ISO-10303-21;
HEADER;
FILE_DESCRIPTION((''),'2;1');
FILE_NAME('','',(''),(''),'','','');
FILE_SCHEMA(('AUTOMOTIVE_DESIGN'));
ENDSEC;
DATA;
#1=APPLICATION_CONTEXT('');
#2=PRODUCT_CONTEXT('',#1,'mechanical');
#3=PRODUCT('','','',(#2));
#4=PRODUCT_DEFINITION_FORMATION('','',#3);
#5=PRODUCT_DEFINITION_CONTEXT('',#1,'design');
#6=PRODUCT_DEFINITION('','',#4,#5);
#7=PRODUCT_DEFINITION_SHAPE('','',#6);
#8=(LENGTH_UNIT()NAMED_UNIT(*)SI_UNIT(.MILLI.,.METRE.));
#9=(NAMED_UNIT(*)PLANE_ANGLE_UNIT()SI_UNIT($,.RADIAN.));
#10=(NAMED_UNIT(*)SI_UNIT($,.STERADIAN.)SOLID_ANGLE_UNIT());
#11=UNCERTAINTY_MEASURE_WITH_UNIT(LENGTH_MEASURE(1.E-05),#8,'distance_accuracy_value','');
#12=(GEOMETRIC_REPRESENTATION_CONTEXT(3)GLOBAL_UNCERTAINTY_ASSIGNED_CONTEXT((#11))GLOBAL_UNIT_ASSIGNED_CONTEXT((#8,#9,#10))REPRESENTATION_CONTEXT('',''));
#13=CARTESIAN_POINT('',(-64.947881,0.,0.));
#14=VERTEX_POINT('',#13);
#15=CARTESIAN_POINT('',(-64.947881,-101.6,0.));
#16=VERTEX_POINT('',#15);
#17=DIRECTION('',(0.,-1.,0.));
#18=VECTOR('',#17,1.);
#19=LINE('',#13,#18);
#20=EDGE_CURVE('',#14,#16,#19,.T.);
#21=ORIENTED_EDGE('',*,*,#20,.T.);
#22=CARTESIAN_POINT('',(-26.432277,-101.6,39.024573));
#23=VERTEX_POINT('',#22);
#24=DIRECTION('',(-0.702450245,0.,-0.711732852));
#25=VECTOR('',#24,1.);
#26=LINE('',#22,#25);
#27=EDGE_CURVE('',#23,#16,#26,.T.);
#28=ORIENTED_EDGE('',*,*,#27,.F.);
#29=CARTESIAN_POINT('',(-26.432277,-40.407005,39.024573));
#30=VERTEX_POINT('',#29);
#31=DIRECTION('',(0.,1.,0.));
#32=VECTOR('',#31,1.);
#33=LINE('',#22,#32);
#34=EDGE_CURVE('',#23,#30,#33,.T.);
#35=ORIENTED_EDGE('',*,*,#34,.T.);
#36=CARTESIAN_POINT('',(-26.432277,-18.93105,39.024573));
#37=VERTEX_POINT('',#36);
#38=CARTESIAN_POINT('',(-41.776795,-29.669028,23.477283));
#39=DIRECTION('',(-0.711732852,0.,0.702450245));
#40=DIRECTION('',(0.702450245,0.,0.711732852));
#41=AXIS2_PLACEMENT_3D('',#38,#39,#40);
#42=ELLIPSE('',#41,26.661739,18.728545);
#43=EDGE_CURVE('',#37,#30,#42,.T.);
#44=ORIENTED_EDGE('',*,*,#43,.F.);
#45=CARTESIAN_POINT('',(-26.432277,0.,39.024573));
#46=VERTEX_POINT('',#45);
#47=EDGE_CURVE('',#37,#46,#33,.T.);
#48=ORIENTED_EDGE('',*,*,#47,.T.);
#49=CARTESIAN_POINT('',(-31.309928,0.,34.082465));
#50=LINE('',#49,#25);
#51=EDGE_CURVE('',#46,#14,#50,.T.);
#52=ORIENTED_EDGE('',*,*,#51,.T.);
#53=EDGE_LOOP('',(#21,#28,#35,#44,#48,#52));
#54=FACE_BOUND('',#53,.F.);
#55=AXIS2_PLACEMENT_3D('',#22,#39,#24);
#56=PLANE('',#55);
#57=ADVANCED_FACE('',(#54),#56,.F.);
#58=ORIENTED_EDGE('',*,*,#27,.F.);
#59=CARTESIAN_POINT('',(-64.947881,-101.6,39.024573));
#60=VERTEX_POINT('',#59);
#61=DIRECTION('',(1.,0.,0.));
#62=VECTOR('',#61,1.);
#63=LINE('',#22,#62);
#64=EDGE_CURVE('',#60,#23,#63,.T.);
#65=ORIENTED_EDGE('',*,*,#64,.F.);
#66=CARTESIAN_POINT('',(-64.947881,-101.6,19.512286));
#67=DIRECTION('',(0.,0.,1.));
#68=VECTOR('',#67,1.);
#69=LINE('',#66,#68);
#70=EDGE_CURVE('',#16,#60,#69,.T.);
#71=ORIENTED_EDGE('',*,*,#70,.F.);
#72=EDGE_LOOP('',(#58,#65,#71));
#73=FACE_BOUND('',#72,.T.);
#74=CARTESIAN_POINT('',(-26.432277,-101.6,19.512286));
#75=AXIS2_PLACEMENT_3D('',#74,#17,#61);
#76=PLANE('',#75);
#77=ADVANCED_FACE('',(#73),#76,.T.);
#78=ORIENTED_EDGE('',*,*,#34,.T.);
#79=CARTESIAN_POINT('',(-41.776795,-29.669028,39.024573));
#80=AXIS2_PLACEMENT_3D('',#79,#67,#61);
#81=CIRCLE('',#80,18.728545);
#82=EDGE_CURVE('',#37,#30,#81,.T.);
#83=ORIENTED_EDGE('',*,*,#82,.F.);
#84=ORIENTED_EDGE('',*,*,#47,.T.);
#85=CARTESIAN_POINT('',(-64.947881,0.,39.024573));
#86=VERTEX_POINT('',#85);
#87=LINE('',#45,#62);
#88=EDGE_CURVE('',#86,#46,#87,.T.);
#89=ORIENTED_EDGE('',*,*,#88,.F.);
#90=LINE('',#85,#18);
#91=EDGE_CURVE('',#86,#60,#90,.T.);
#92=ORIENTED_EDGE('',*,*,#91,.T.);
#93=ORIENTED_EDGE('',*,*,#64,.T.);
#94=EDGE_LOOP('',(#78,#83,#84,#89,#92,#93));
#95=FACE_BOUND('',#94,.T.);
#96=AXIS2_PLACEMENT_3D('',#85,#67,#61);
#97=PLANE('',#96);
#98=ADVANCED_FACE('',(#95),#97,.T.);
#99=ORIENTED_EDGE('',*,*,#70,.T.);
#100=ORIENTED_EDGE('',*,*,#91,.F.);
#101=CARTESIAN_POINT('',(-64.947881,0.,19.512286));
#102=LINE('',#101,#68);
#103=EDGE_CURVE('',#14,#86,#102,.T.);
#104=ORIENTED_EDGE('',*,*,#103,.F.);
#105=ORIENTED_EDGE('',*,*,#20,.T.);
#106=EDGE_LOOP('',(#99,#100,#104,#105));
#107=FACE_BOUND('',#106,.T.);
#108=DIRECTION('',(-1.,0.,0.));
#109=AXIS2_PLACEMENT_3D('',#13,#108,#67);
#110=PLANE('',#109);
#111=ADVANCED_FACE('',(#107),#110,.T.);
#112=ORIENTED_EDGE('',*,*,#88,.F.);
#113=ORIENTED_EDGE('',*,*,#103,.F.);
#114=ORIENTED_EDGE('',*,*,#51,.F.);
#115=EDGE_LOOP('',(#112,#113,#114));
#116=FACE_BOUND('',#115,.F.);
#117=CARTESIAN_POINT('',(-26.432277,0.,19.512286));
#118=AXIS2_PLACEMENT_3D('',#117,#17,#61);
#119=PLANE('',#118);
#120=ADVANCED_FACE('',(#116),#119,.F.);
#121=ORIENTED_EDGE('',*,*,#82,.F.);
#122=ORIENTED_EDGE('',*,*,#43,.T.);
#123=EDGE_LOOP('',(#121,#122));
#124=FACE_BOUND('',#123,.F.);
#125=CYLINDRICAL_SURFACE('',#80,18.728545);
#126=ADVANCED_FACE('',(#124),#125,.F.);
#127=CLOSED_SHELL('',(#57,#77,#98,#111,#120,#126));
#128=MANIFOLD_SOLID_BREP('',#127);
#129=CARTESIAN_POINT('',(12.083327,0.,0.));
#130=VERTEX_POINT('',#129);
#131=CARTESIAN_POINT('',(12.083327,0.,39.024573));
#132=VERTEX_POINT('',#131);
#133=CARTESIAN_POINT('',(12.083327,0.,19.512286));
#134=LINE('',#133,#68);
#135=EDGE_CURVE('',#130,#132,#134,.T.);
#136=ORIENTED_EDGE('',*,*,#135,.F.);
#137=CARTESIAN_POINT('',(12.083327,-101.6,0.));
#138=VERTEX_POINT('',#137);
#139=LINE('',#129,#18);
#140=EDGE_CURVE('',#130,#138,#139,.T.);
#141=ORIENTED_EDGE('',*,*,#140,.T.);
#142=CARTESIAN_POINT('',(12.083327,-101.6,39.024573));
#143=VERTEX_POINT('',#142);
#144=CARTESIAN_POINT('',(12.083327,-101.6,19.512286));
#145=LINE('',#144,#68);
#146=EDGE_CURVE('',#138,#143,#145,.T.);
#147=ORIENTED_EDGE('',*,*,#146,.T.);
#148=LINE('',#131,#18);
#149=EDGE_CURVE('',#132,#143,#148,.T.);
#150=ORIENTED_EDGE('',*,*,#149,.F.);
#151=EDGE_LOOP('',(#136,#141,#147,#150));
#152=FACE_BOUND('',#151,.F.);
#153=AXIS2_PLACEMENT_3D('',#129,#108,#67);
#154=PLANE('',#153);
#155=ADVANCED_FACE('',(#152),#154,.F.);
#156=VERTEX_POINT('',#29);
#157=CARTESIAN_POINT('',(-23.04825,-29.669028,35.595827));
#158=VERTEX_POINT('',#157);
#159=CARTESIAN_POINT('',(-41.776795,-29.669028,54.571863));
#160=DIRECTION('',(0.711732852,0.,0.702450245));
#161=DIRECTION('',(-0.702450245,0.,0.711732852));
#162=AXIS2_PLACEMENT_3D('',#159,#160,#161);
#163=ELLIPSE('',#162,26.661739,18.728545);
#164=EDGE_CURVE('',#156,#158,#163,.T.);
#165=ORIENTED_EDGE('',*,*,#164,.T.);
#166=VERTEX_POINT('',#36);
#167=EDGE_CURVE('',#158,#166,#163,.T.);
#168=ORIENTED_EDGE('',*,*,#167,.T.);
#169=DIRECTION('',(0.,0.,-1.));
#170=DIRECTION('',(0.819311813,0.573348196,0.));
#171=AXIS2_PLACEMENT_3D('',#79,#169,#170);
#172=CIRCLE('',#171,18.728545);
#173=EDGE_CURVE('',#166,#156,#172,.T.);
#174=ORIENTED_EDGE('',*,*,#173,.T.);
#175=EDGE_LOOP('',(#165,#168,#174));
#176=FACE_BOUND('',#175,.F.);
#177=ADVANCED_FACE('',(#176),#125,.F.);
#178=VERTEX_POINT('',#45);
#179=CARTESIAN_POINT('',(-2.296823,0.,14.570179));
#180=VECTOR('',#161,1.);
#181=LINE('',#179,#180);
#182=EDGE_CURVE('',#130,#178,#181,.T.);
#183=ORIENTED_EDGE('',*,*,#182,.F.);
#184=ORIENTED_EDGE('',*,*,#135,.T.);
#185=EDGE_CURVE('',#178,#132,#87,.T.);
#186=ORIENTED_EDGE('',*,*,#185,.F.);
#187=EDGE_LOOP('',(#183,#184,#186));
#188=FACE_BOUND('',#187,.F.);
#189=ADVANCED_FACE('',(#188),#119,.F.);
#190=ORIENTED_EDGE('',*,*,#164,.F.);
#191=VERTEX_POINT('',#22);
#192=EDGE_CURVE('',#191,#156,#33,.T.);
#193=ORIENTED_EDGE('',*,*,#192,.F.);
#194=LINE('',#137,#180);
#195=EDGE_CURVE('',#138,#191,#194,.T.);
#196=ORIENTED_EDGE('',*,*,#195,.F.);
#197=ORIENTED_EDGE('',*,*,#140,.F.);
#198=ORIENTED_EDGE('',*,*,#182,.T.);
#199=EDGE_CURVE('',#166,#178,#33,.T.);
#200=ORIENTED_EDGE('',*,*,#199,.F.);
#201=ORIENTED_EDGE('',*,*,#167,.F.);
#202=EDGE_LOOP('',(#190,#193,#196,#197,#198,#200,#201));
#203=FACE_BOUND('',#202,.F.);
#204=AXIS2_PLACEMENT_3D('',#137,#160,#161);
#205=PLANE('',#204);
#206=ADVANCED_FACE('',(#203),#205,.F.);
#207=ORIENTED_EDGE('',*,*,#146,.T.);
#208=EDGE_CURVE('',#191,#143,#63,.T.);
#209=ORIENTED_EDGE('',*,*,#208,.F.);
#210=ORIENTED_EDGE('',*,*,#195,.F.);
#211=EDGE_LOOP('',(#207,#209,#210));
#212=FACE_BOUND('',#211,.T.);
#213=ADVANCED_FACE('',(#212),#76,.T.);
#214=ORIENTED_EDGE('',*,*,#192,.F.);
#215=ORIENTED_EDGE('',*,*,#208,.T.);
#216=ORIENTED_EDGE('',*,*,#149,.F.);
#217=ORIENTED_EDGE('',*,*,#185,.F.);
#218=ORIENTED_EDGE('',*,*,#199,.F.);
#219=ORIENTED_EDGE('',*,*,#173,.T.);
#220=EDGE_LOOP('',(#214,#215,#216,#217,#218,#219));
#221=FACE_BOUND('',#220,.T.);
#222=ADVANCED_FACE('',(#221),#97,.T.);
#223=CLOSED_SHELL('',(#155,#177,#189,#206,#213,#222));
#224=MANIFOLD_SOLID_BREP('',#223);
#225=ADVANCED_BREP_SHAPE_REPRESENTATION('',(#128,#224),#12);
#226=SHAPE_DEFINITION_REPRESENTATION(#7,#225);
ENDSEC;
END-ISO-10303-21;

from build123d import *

# Parameters (mm, degrees)
F0_W     = 77.0312082022
F0_H     = 39.0245728195
F1_DEPTH = 101.6
F2_R     = 18.7285451054
F3_DEPTH = 39.0255728195
F5_DEPTH = 101.601


with BuildPart() as f1:
    # F0 (on Front) → F1 (new body)
    with BuildSketch(Plane.XZ):
        with Locations((-26.4322767034, 19.5122864097)):
            Rectangle(F0_W, F0_H)
    extrude(amount=F1_DEPTH)

    # F2 (on face) → F3 (cut, through all)
    with BuildSketch(Plane.XY.offset(39.0245728195)):
        with Locations((-41.7767949402, -29.6690277755)):
            Circle(F2_R)
    extrude(amount=-F3_DEPTH, mode=Mode.SUBTRACT)

    # F4 (on face) → F5 (cut, through all)
    with BuildSketch(Plane.XZ.offset(101.6)):
        Polygon((-26.4322767034, 39.0245728195), (-64.9478808045, 0), (12.0833273977, 0), align=None)
    extrude(amount=-F5_DEPTH, mode=Mode.SUBTRACT)


solid = f1.part
